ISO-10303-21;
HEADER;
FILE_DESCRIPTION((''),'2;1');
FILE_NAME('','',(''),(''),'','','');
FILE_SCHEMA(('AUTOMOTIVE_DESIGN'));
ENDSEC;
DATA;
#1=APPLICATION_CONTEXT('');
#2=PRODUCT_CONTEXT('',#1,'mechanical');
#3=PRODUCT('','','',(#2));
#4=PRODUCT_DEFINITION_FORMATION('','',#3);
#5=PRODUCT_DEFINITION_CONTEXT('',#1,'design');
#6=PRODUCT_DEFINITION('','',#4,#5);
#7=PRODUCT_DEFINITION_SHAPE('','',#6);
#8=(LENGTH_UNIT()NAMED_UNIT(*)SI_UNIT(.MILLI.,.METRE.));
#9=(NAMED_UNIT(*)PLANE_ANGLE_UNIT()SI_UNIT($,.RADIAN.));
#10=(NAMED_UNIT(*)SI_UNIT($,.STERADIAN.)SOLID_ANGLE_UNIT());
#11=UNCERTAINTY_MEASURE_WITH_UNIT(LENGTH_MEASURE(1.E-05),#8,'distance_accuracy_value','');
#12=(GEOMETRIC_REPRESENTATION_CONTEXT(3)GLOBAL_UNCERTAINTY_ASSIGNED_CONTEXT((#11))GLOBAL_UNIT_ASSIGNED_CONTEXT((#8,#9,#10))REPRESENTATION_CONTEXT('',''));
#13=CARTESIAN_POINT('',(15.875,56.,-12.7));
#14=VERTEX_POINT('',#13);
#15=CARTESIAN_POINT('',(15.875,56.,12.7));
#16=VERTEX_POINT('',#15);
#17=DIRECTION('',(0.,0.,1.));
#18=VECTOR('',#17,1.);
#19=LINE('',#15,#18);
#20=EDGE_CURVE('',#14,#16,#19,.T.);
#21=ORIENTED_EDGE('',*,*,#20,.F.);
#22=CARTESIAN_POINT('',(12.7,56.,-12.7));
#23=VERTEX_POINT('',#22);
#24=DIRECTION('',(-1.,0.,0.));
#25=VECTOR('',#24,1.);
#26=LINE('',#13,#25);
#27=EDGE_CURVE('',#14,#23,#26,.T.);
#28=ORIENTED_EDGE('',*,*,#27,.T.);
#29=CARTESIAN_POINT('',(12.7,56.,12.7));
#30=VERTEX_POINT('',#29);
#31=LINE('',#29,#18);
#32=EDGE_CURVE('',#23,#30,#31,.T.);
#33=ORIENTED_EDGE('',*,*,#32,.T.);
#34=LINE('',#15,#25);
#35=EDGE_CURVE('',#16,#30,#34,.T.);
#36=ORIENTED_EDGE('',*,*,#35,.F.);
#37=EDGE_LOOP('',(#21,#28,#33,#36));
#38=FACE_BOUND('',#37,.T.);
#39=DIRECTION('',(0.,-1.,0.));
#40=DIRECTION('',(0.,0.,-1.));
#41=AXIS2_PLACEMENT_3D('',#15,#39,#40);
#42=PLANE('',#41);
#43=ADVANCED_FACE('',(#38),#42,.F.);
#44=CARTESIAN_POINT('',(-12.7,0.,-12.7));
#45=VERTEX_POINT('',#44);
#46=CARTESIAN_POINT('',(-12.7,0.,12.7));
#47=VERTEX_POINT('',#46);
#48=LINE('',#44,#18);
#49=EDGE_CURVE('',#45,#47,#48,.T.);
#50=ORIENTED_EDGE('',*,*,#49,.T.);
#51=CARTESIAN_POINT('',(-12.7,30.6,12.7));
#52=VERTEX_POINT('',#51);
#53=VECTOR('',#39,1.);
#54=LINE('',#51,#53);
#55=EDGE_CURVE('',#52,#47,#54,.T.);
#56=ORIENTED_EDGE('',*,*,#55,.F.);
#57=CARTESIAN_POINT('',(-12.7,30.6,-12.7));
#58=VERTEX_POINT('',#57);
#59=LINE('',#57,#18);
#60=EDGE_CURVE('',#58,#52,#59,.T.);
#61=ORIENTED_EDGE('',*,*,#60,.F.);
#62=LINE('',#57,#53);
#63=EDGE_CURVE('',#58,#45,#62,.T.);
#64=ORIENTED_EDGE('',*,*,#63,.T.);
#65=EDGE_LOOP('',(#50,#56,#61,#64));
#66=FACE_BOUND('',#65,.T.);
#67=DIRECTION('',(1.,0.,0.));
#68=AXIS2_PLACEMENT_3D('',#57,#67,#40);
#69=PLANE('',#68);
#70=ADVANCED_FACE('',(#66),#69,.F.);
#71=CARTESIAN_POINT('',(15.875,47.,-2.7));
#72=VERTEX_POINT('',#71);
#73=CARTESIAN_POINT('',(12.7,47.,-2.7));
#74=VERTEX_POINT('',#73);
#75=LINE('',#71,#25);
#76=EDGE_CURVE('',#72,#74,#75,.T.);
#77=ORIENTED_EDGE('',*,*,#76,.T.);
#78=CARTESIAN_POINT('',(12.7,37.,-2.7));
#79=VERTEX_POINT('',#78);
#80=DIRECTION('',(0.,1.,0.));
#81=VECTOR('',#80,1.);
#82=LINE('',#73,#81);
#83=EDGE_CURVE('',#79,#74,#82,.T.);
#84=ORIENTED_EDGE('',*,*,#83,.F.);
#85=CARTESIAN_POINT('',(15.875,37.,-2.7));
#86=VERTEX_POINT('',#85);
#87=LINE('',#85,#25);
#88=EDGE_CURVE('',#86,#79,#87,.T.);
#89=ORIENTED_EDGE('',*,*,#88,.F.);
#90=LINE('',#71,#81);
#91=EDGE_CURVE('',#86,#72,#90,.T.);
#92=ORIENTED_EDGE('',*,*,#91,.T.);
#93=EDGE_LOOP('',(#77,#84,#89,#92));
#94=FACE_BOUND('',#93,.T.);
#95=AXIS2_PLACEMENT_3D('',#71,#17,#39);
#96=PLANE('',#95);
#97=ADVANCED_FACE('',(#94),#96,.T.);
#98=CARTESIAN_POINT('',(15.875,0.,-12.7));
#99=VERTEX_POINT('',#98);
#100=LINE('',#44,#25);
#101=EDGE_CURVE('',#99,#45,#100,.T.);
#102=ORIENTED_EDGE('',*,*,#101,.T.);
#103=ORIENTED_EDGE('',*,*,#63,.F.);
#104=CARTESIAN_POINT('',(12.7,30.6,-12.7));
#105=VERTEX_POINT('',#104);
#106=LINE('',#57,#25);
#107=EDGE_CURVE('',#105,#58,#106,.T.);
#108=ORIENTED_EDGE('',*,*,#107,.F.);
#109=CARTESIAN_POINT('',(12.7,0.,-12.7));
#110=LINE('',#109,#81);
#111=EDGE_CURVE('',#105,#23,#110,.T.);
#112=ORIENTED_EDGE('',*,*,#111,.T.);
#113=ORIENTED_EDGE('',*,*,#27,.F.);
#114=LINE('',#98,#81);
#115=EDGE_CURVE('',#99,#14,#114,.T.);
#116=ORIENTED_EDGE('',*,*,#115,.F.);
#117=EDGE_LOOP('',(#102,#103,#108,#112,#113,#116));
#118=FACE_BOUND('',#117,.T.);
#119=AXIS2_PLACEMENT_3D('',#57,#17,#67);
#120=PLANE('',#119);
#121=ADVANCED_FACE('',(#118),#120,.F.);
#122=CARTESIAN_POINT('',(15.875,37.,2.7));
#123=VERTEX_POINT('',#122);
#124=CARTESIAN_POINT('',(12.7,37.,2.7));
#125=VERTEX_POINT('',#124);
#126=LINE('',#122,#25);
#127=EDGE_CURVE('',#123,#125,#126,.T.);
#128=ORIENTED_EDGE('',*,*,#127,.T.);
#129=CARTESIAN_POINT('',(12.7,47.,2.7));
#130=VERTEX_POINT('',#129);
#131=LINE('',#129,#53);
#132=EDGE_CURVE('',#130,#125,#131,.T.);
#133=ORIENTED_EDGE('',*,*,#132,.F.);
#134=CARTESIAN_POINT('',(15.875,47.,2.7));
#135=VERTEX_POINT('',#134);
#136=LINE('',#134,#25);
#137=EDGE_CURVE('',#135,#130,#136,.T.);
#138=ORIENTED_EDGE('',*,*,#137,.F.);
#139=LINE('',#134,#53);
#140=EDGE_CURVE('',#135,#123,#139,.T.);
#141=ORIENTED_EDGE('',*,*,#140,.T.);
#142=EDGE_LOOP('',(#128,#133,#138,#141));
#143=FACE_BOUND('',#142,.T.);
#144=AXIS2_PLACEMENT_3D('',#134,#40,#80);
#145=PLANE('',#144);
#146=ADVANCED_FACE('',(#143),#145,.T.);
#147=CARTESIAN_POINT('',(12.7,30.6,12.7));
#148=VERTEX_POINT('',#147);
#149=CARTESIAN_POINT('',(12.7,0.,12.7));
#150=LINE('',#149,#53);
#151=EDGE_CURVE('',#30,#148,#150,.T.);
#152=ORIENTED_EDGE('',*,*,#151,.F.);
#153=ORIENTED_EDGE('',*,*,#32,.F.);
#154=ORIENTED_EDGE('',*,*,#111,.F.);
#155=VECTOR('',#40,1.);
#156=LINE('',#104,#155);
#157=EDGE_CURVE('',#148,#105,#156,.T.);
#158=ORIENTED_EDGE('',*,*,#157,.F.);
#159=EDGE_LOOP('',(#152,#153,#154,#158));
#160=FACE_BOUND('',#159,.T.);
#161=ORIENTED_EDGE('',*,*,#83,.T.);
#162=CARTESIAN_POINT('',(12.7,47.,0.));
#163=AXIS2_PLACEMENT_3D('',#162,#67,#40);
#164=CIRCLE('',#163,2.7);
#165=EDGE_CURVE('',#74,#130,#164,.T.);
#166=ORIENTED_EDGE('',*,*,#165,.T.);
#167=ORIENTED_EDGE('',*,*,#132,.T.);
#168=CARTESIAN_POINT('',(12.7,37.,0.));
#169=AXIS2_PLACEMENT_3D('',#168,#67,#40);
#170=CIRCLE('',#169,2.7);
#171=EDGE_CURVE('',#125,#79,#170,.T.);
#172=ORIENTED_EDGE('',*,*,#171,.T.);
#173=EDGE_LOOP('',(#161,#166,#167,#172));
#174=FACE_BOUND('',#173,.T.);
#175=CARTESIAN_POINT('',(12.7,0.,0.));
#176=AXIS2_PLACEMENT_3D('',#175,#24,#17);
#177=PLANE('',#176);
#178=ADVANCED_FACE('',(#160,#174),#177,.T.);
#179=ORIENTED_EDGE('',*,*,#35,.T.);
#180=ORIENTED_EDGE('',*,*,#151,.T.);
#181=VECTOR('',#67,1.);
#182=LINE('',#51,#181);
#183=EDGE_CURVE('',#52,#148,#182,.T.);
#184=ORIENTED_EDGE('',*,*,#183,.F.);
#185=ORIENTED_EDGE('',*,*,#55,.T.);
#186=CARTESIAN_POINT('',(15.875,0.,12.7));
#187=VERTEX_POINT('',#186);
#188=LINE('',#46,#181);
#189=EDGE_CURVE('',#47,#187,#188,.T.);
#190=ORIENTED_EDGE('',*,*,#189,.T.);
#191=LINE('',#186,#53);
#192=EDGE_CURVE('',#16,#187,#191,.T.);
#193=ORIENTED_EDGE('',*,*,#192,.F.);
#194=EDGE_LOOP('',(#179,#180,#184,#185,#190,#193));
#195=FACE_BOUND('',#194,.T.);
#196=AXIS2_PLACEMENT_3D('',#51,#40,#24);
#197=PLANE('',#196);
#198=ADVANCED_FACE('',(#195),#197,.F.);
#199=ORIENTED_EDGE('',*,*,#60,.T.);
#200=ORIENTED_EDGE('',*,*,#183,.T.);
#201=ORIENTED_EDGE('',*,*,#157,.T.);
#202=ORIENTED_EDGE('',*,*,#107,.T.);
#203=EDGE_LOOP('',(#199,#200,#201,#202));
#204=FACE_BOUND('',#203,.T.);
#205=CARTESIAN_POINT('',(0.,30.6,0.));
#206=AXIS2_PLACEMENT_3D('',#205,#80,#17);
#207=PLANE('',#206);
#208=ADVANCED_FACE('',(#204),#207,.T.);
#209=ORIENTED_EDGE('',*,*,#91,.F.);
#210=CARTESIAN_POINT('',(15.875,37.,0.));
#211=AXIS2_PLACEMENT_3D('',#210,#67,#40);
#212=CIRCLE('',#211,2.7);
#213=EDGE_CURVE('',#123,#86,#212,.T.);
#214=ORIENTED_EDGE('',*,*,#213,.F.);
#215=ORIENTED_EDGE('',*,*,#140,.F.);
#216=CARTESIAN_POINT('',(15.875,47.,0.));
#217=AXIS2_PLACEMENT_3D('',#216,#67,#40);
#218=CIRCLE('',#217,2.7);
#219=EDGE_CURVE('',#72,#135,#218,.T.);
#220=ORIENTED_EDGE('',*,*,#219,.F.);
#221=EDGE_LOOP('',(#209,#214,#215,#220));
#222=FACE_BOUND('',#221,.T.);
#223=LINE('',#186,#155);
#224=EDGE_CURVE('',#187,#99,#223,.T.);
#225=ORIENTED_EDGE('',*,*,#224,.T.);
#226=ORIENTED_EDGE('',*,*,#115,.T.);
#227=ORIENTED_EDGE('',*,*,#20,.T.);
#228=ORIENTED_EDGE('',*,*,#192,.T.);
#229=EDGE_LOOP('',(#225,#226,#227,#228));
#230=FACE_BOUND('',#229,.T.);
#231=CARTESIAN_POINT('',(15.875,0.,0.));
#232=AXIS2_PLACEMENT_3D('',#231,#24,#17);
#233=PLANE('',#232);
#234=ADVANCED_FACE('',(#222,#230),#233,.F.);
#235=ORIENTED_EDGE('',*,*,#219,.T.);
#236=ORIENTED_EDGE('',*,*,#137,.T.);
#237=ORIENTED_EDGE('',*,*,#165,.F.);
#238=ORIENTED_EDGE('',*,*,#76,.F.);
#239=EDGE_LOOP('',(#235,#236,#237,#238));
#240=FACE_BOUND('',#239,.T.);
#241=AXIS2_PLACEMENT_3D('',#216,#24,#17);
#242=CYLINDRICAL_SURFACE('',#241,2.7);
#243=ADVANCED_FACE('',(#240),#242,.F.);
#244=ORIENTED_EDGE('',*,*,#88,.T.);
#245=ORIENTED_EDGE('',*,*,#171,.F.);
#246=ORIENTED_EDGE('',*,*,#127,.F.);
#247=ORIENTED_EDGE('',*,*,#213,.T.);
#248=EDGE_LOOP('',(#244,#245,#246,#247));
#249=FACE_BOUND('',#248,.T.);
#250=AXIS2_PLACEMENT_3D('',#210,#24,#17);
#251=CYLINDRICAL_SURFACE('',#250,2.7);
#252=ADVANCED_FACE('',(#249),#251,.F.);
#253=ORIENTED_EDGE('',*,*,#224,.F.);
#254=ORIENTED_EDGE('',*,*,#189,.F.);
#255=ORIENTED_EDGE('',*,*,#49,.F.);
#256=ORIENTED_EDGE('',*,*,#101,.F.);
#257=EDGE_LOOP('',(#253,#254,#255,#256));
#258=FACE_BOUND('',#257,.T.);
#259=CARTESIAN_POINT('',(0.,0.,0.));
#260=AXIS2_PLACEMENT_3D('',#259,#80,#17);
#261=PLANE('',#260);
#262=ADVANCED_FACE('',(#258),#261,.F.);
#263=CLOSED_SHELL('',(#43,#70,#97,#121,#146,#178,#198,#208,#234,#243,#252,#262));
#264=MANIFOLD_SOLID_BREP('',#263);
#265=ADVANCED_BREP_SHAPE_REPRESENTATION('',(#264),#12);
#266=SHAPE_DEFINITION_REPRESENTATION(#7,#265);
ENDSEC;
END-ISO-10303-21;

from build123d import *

# Parameters (mm, degrees)
SKETCH1_W           = 25.4
SKETCH1_H           = 25.4
BOSS_EXTRUDE1_DEPTH = 30.6
SKETCH2_W           = 25.4
SKETCH2_H           = 56
BOSS_EXTRUDE2_DEPTH = 3.175


with BuildPart() as part:
    # Sketch1 → Boss-Extrude1 (new body)
    with BuildSketch(Plane(origin=(0, 0, 0), x_dir=(1, 0, 0), z_dir=(0, 1, 0))):
        Rectangle(SKETCH1_W, SKETCH1_H)
    extrude(amount=BOSS_EXTRUDE1_DEPTH)

    # Sketch2 → Boss-Extrude2 (add)
    with BuildSketch(Plane(origin=(12.7, 0, 0), x_dir=(0, 0, -1), z_dir=(1, 0, 0))):
        with Locations((0, 28)):
            Rectangle(SKETCH2_W, SKETCH2_H)
        with BuildLine():
            Line((2.7, 47), (2.7, 37))
            ThreePointArc((2.7, 37), (0, 34.3), (-2.7, 37))
            Line((-2.7, 37), (-2.7, 47))
            ThreePointArc((-2.7, 47), (0, 49.7), (2.7, 47))
        make_face(mode=Mode.SUBTRACT)
    extrude(amount=BOSS_EXTRUDE2_DEPTH)


solid = part.part
